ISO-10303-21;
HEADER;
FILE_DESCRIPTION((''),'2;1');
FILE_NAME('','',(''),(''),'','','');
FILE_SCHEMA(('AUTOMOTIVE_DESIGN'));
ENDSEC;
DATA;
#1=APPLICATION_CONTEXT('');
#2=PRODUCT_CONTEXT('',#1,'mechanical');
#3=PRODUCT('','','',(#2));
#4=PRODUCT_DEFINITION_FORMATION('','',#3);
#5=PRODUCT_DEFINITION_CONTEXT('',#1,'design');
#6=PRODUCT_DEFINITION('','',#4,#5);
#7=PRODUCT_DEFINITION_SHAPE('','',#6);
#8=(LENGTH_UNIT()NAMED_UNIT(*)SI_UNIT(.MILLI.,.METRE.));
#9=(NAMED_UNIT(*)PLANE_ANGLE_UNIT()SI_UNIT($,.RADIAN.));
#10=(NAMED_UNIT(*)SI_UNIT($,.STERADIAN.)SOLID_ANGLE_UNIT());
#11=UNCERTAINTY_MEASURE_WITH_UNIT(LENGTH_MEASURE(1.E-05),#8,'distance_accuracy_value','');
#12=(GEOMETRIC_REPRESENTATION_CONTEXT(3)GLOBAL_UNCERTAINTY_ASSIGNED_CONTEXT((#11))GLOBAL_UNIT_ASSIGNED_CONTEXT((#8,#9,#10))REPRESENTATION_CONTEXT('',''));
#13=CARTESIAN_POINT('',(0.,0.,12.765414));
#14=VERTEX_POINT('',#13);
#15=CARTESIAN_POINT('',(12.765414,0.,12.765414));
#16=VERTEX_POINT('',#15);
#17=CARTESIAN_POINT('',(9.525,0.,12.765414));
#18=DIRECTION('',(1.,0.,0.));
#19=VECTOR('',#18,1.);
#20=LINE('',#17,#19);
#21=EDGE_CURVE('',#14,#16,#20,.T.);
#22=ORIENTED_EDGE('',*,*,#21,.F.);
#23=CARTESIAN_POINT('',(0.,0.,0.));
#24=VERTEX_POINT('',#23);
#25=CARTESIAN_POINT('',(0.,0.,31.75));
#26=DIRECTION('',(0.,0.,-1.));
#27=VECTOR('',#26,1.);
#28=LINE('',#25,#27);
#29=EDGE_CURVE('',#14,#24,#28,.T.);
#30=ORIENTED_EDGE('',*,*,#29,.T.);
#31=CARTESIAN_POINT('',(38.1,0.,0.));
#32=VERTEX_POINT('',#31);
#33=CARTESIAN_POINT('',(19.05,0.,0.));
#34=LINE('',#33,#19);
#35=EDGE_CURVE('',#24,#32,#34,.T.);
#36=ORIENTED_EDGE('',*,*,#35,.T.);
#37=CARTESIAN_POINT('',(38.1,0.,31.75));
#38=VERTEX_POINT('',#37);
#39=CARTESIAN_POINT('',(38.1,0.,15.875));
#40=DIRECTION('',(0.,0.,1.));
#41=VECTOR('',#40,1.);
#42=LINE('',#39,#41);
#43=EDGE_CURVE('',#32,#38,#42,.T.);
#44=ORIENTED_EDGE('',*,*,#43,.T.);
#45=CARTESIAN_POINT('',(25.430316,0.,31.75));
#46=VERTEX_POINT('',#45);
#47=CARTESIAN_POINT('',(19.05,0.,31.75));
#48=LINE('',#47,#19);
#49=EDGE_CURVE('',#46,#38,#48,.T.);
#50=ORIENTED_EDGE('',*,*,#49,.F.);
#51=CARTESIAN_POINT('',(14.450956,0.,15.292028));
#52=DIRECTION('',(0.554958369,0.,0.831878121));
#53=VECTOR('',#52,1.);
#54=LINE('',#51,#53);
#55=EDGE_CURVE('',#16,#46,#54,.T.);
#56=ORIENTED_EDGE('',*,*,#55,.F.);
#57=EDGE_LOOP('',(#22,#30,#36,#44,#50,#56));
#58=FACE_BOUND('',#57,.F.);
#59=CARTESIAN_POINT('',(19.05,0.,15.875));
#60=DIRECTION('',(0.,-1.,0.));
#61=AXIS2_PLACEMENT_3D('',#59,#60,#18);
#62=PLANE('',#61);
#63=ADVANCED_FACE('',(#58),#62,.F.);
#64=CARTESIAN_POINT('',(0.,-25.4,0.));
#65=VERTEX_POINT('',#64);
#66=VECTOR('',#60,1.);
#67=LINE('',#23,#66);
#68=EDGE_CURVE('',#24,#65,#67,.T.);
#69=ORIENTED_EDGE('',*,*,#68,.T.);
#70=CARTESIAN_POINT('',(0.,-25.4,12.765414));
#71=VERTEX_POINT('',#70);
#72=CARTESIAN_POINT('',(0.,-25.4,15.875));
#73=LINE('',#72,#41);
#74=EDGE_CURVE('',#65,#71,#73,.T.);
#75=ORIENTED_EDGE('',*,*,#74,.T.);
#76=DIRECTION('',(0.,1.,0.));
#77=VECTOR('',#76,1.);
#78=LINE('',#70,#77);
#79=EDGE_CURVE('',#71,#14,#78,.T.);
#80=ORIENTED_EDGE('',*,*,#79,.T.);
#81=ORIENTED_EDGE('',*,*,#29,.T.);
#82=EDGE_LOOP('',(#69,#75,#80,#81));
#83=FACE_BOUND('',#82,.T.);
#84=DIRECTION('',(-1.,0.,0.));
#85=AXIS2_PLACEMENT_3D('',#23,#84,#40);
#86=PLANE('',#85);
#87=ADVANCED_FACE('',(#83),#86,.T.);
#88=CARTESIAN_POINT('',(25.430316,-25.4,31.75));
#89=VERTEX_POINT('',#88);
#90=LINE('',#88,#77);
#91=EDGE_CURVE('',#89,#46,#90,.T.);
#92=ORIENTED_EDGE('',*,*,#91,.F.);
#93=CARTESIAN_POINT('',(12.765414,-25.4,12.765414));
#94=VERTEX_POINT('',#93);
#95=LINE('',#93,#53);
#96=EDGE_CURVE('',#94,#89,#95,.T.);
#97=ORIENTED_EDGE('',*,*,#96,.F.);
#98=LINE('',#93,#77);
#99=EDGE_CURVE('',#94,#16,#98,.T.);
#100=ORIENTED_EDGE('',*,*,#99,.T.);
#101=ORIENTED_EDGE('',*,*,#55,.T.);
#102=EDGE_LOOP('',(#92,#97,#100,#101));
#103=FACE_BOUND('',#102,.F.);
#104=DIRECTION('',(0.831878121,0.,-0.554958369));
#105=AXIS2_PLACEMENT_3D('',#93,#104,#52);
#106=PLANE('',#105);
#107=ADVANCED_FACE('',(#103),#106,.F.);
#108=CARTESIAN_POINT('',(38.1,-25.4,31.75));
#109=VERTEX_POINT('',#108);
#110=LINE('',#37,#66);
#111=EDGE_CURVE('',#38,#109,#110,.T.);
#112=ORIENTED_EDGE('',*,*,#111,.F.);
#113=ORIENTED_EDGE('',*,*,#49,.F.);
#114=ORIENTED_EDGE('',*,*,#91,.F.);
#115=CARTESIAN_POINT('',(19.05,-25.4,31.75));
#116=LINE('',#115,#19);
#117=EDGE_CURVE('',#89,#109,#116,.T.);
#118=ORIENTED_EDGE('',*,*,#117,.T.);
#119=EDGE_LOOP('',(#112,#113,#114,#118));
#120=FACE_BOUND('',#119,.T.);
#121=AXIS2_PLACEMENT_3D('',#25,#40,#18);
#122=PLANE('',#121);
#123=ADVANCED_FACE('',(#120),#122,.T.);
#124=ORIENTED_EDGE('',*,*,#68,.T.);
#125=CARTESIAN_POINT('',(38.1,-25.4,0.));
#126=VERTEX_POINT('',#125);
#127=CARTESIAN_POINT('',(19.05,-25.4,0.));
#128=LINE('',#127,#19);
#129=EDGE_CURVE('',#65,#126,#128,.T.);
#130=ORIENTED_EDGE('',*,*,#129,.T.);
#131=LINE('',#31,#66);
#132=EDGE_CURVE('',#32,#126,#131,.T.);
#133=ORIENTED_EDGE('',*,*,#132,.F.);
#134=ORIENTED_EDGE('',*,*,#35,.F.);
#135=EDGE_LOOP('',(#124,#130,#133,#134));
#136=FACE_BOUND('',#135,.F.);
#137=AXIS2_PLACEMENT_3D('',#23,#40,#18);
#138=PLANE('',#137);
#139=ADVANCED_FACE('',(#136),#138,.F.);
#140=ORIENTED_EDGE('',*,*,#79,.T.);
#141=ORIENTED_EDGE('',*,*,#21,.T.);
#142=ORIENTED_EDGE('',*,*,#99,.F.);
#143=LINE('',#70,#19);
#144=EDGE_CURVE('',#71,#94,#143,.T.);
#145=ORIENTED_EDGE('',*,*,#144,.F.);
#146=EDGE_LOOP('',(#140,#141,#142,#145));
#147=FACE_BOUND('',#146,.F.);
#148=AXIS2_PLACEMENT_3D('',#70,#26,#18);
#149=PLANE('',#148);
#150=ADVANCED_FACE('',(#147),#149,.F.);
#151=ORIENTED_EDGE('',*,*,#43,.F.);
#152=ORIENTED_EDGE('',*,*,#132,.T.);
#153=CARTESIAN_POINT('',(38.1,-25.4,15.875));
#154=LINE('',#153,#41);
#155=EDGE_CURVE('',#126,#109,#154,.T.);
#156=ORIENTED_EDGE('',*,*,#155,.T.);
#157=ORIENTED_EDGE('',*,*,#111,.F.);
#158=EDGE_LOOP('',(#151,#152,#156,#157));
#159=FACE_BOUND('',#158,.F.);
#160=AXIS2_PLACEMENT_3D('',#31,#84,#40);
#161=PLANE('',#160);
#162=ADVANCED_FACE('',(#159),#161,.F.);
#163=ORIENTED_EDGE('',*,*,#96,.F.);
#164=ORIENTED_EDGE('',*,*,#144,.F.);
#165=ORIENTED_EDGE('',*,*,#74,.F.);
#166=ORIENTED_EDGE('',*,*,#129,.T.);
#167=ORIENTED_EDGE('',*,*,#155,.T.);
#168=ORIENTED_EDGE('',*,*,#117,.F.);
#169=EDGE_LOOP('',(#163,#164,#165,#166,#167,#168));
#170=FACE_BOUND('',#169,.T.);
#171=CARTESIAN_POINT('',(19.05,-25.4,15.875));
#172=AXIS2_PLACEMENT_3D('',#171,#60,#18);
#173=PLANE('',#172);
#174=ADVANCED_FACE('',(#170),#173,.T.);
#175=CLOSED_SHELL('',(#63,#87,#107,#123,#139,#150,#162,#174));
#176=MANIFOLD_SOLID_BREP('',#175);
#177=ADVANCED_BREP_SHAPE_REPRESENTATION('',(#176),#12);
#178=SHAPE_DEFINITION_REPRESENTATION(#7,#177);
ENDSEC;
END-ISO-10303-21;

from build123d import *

# Parameters (mm, degrees)
F0_W     = 38.1
F0_H     = 31.75
F1_DEPTH = 25.4
F3_DEPTH = 25.4
F5_DEPTH = 25.401


with BuildPart() as f1:
    # F0 (on Front) → F1 (new body)
    with BuildSketch(Plane.XZ):
        with Locations((19.05, 15.875)):
            Rectangle(F0_W, F0_H)
    extrude(amount=F1_DEPTH)

    # F2 (on Front) → F3 (cut)
    with BuildSketch(Plane.XZ):
        Polygon((23.017952, 8.342751), (23.017952, 31.260189), (0, 12.564384), (0, 8.342751), align=None)
    extrude(amount=-F3_DEPTH, mode=Mode.SUBTRACT)

    # F4 (on face) → F5 (cut, through all)
    with BuildSketch(Plane.XZ.offset(25.4)):
        Polygon((0, 31.75), (0, 12.765414), (12.765414, 12.765414), (25.430316, 31.75), align=None)
    extrude(amount=-F5_DEPTH, mode=Mode.SUBTRACT)


solid = f1.part
